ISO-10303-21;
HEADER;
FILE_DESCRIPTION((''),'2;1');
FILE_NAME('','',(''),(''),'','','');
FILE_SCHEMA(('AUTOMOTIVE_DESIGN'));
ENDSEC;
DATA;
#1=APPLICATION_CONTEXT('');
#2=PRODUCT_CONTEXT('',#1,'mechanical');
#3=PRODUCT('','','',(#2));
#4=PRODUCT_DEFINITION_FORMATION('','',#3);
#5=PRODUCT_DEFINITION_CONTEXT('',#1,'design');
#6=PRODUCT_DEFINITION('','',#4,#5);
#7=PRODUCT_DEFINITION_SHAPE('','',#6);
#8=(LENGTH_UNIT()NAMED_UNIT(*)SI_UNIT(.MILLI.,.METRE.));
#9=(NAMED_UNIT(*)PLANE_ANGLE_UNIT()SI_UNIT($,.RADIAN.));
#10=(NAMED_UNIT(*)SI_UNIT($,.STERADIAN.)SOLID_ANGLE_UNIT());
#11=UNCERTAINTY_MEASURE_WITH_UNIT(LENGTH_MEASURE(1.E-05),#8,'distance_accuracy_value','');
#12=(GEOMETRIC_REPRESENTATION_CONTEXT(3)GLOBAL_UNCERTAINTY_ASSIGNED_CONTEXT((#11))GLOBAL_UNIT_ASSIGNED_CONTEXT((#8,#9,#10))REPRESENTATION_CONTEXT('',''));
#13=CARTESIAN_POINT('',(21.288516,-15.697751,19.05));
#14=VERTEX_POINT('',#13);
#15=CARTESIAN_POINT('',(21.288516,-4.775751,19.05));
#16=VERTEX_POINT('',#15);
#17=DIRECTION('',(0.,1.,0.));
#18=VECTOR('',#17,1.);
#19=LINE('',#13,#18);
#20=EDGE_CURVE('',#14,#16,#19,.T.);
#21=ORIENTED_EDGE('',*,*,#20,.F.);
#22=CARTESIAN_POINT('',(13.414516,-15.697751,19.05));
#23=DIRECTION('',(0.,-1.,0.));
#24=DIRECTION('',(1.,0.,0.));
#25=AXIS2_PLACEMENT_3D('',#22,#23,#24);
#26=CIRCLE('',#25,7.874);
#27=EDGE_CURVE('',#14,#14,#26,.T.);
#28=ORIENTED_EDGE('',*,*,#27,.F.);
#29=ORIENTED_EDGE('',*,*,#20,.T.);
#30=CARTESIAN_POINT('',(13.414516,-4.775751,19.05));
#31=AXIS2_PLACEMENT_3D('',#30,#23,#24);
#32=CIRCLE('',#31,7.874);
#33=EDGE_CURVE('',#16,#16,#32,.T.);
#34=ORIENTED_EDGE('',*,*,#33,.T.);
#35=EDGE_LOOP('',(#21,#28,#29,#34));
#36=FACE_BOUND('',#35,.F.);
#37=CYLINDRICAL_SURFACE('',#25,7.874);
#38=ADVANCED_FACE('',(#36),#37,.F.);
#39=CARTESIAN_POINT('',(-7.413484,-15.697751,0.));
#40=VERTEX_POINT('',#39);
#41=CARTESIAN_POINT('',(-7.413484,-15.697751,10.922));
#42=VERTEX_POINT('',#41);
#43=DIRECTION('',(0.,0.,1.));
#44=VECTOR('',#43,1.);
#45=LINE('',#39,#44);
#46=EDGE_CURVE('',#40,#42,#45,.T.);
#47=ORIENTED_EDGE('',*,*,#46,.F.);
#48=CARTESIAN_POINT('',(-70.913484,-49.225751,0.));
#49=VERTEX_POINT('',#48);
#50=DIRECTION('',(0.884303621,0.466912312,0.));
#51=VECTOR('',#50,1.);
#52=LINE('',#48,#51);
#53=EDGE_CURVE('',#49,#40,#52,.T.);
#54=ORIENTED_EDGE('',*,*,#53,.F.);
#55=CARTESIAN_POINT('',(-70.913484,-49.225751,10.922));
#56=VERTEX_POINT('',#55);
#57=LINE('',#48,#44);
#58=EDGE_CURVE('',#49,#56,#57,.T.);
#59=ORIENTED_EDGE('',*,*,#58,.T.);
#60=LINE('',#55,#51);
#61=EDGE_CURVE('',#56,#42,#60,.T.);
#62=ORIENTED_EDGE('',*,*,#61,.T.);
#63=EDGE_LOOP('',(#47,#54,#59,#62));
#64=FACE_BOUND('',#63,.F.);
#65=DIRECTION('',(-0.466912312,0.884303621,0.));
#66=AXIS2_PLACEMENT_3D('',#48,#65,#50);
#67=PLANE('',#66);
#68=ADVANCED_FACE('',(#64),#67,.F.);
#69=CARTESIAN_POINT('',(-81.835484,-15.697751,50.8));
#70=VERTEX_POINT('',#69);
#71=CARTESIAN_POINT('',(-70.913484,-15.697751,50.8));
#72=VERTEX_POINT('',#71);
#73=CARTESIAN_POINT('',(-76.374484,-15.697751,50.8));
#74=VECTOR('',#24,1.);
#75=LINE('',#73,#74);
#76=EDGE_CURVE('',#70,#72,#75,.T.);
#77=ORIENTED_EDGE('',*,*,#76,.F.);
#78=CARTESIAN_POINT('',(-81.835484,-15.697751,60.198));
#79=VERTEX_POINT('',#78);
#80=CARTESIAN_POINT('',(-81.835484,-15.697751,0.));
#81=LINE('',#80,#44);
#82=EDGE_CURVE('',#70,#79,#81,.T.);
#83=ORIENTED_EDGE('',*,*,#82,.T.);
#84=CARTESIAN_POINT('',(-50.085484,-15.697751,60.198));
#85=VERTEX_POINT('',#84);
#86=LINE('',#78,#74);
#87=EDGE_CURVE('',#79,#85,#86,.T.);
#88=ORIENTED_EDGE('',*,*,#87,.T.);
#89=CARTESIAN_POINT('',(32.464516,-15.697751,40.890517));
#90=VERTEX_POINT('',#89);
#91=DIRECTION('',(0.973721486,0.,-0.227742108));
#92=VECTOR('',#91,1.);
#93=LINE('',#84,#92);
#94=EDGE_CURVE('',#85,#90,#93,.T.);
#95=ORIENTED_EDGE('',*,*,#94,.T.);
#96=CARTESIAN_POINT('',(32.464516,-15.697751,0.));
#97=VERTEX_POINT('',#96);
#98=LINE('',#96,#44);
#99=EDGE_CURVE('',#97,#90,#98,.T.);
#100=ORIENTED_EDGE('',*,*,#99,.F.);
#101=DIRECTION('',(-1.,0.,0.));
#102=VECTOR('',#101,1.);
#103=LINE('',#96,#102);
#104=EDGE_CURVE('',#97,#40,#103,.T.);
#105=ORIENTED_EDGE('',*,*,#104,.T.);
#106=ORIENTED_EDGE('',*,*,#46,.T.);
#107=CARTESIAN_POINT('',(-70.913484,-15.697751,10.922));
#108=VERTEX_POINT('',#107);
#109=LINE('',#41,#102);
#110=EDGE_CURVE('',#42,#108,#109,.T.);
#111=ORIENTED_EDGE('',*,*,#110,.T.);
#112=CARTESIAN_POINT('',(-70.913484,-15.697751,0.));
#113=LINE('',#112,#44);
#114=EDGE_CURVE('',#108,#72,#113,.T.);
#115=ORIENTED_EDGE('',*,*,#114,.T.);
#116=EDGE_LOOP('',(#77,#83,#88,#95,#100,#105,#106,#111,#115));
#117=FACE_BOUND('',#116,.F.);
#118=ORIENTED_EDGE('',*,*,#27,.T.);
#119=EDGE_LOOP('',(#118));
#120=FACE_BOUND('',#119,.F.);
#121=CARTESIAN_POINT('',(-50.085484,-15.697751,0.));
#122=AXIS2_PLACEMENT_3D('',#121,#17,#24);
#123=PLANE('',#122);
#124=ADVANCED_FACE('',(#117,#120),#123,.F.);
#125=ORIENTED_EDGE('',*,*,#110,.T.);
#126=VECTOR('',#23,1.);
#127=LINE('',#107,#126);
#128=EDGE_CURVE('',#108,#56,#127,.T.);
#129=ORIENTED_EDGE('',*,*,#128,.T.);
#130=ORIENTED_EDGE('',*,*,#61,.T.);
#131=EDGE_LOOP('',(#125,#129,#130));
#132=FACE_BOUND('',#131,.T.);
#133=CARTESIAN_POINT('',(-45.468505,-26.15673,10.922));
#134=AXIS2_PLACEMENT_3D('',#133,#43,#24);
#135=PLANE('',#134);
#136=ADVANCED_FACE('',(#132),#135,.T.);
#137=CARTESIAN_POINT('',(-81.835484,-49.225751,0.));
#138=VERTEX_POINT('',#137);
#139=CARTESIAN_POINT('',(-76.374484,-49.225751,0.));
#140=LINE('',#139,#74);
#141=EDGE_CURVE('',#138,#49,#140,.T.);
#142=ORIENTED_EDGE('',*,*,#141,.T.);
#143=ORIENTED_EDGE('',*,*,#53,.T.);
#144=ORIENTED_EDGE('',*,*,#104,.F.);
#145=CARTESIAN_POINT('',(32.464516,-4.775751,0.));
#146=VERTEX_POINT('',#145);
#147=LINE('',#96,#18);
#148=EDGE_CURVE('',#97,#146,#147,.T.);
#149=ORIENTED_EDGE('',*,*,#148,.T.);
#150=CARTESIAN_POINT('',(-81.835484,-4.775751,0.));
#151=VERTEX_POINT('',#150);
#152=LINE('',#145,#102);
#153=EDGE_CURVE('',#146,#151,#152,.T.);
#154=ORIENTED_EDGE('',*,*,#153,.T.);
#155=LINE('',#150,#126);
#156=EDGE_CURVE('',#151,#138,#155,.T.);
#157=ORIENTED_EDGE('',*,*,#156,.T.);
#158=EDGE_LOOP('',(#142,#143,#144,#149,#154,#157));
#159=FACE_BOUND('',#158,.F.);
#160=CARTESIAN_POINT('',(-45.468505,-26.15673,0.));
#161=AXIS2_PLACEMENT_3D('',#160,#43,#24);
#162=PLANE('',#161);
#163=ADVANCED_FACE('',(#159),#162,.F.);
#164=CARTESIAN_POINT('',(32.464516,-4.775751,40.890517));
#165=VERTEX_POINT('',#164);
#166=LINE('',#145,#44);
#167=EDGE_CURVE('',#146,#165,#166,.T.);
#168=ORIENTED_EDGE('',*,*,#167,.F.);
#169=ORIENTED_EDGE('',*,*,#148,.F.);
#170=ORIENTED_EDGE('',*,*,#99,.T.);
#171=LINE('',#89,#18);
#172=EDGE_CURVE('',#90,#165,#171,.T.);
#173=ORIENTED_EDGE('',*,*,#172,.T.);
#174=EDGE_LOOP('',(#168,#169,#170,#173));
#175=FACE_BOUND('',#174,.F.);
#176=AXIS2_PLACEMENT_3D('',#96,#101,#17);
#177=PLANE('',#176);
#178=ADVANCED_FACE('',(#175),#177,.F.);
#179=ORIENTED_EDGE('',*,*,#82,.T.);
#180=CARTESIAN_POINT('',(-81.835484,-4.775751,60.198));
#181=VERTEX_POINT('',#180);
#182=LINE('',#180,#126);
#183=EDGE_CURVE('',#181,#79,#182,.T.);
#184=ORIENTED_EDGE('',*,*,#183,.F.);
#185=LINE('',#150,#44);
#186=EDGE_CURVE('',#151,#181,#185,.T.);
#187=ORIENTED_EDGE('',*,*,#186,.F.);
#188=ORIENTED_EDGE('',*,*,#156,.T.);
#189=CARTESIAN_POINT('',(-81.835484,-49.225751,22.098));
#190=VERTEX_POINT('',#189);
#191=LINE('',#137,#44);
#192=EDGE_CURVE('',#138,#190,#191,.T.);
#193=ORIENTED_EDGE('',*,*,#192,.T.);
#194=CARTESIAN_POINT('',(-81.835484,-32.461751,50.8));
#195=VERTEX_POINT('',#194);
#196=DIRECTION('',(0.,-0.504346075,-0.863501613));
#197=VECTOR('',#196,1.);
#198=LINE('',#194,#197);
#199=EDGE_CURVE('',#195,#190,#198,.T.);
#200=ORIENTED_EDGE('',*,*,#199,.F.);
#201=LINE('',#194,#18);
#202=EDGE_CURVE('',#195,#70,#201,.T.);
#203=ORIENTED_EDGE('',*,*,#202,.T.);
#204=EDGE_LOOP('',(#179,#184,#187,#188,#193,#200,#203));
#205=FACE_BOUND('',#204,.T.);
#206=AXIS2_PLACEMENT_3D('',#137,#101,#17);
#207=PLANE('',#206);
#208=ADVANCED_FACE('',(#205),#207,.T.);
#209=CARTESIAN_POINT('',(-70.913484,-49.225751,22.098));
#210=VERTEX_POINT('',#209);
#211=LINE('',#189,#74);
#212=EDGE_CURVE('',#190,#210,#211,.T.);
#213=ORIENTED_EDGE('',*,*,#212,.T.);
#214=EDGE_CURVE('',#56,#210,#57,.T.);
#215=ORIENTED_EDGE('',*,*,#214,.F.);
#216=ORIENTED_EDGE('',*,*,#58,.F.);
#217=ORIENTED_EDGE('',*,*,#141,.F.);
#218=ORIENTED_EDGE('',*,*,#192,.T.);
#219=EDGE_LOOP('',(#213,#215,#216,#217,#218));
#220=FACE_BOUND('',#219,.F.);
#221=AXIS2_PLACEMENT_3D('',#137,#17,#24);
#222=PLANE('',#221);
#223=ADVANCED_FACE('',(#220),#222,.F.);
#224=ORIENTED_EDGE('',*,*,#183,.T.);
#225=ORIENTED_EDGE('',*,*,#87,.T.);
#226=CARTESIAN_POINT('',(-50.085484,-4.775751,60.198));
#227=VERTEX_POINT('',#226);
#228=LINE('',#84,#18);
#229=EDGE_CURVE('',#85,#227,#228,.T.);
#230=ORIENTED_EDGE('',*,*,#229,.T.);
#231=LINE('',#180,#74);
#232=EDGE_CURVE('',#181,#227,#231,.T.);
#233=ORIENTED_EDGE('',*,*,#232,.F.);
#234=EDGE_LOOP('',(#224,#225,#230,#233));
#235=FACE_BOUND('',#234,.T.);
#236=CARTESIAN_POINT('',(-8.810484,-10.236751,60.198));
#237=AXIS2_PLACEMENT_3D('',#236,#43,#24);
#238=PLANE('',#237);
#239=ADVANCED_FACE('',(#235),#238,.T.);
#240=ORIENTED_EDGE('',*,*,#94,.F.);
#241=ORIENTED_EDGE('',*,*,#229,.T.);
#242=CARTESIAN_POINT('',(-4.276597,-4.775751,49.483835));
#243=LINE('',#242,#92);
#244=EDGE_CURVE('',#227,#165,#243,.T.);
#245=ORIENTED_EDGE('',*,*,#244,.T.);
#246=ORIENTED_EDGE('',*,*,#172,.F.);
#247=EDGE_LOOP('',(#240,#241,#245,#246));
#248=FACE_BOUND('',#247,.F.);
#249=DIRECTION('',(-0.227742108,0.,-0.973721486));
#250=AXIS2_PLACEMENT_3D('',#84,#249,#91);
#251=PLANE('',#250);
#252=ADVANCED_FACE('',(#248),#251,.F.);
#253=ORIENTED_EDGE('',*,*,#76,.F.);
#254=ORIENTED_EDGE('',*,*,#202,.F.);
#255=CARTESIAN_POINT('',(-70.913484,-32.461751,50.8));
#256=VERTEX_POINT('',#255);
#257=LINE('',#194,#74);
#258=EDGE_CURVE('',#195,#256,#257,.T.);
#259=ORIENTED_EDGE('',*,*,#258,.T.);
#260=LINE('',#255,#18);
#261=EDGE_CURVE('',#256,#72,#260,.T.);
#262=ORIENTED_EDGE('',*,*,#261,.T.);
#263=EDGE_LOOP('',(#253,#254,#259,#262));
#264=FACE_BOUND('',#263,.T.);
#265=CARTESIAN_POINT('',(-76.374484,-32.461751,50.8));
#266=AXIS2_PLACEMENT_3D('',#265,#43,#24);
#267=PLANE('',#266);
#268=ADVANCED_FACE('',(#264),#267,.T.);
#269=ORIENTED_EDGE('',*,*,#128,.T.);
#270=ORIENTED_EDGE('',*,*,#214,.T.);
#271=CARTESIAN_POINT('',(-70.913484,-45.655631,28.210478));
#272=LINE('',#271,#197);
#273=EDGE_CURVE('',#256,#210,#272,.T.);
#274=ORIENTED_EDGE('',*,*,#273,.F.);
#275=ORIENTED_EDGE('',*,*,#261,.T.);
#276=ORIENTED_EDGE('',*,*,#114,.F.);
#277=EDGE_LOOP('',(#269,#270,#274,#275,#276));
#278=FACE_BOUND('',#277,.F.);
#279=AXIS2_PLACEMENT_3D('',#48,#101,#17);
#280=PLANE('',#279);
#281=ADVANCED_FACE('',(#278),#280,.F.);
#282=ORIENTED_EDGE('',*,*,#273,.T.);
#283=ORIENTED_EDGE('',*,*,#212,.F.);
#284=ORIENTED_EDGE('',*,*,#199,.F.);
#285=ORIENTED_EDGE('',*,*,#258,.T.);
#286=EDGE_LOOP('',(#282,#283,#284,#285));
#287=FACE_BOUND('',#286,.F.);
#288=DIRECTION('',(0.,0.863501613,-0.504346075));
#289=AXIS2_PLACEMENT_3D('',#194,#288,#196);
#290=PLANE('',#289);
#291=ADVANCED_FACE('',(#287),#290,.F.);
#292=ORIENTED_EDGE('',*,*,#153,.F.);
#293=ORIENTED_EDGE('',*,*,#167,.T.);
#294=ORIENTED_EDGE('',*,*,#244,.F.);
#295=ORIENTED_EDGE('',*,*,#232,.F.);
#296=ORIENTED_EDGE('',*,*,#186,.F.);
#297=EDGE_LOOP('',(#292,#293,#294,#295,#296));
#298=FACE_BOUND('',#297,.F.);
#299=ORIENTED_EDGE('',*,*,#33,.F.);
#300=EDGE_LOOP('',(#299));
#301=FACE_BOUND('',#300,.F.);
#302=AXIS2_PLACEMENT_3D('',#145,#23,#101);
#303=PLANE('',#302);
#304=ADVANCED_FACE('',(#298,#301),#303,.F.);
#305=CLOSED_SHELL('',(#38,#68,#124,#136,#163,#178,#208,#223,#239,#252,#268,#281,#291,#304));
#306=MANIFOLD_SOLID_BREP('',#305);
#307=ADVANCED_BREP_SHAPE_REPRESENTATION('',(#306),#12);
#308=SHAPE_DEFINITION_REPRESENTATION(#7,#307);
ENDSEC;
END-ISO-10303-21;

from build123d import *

# Parameters (mm, degrees)
F1_DEPTH = 60.198
F2_DEPTH = 60.198
F0_W     = 10.922
F0_H     = 33.528
F3_DEPTH = 50.8
F4_DEPTH = 10.922
F5_R     = 7.874
F6_DEPTH = 10.923
F7_DEPTH = 25.4
F9_DEPTH = 25.4


with BuildPart() as f1:
    # F0 (on Top) → F1 (new body)
    with BuildSketch(Plane.XY):
        Polygon((-70.913484, -4.775751), (-81.835484, -4.775751), (-81.835484, -15.697751), (-70.913484, -15.697751), (-50.085484, -15.697751), (-50.085484, -4.775751), align=None)
    extrude(amount=F1_DEPTH)

    # F0 (on Top) → F2 (join)
    with BuildSketch(Plane.XY):
        Polygon((32.464516, -4.775751), (-50.085484, -4.775751), (-50.085484, -15.697751), (-7.413484, -15.697751), (32.464516, -15.697751), align=None)
    extrude(amount=F2_DEPTH)

    # F0 (on Top) → F3 (join)
    with BuildSketch(Plane.XY):
        with Locations((-76.374484, -32.461751)):
            Rectangle(F0_W, F0_H)
    extrude(amount=F3_DEPTH)

    # F0 (on Top) → F4 (join)
    with BuildSketch(Plane.XY):
        Polygon((-50.085484, -15.697751), (-70.913484, -15.697751), (-70.913484, -49.225751), (-7.413484, -15.697751), align=None)
    extrude(amount=F4_DEPTH)

    # F5 (on face) → F6 (cut, through all)
    with BuildSketch(Plane.XZ.offset(15.697751)):
        with Locations((13.414516, 19.05)):
            Circle(F5_R)
    extrude(amount=-F6_DEPTH, mode=Mode.SUBTRACT)

    # F5 (on face) → F7 (cut)
    with BuildSketch(Plane.XZ.offset(15.697751)):
        Polygon((32.464516, 60.198), (-50.085484, 60.198), (32.464516, 40.890517), align=None)
    extrude(amount=-F7_DEPTH, mode=Mode.SUBTRACT)

    # F8 (on face) → F9 (cut)
    with BuildSketch(Plane(origin=(-81.835484, 0, 0), x_dir=(0, -1, 0), z_dir=(-1, 0, 0))):
        Polygon((49.225751, 50.8), (32.461751, 50.8), (49.225751, 22.098), align=None)
    extrude(amount=-F9_DEPTH, mode=Mode.SUBTRACT)


solid = f1.part
